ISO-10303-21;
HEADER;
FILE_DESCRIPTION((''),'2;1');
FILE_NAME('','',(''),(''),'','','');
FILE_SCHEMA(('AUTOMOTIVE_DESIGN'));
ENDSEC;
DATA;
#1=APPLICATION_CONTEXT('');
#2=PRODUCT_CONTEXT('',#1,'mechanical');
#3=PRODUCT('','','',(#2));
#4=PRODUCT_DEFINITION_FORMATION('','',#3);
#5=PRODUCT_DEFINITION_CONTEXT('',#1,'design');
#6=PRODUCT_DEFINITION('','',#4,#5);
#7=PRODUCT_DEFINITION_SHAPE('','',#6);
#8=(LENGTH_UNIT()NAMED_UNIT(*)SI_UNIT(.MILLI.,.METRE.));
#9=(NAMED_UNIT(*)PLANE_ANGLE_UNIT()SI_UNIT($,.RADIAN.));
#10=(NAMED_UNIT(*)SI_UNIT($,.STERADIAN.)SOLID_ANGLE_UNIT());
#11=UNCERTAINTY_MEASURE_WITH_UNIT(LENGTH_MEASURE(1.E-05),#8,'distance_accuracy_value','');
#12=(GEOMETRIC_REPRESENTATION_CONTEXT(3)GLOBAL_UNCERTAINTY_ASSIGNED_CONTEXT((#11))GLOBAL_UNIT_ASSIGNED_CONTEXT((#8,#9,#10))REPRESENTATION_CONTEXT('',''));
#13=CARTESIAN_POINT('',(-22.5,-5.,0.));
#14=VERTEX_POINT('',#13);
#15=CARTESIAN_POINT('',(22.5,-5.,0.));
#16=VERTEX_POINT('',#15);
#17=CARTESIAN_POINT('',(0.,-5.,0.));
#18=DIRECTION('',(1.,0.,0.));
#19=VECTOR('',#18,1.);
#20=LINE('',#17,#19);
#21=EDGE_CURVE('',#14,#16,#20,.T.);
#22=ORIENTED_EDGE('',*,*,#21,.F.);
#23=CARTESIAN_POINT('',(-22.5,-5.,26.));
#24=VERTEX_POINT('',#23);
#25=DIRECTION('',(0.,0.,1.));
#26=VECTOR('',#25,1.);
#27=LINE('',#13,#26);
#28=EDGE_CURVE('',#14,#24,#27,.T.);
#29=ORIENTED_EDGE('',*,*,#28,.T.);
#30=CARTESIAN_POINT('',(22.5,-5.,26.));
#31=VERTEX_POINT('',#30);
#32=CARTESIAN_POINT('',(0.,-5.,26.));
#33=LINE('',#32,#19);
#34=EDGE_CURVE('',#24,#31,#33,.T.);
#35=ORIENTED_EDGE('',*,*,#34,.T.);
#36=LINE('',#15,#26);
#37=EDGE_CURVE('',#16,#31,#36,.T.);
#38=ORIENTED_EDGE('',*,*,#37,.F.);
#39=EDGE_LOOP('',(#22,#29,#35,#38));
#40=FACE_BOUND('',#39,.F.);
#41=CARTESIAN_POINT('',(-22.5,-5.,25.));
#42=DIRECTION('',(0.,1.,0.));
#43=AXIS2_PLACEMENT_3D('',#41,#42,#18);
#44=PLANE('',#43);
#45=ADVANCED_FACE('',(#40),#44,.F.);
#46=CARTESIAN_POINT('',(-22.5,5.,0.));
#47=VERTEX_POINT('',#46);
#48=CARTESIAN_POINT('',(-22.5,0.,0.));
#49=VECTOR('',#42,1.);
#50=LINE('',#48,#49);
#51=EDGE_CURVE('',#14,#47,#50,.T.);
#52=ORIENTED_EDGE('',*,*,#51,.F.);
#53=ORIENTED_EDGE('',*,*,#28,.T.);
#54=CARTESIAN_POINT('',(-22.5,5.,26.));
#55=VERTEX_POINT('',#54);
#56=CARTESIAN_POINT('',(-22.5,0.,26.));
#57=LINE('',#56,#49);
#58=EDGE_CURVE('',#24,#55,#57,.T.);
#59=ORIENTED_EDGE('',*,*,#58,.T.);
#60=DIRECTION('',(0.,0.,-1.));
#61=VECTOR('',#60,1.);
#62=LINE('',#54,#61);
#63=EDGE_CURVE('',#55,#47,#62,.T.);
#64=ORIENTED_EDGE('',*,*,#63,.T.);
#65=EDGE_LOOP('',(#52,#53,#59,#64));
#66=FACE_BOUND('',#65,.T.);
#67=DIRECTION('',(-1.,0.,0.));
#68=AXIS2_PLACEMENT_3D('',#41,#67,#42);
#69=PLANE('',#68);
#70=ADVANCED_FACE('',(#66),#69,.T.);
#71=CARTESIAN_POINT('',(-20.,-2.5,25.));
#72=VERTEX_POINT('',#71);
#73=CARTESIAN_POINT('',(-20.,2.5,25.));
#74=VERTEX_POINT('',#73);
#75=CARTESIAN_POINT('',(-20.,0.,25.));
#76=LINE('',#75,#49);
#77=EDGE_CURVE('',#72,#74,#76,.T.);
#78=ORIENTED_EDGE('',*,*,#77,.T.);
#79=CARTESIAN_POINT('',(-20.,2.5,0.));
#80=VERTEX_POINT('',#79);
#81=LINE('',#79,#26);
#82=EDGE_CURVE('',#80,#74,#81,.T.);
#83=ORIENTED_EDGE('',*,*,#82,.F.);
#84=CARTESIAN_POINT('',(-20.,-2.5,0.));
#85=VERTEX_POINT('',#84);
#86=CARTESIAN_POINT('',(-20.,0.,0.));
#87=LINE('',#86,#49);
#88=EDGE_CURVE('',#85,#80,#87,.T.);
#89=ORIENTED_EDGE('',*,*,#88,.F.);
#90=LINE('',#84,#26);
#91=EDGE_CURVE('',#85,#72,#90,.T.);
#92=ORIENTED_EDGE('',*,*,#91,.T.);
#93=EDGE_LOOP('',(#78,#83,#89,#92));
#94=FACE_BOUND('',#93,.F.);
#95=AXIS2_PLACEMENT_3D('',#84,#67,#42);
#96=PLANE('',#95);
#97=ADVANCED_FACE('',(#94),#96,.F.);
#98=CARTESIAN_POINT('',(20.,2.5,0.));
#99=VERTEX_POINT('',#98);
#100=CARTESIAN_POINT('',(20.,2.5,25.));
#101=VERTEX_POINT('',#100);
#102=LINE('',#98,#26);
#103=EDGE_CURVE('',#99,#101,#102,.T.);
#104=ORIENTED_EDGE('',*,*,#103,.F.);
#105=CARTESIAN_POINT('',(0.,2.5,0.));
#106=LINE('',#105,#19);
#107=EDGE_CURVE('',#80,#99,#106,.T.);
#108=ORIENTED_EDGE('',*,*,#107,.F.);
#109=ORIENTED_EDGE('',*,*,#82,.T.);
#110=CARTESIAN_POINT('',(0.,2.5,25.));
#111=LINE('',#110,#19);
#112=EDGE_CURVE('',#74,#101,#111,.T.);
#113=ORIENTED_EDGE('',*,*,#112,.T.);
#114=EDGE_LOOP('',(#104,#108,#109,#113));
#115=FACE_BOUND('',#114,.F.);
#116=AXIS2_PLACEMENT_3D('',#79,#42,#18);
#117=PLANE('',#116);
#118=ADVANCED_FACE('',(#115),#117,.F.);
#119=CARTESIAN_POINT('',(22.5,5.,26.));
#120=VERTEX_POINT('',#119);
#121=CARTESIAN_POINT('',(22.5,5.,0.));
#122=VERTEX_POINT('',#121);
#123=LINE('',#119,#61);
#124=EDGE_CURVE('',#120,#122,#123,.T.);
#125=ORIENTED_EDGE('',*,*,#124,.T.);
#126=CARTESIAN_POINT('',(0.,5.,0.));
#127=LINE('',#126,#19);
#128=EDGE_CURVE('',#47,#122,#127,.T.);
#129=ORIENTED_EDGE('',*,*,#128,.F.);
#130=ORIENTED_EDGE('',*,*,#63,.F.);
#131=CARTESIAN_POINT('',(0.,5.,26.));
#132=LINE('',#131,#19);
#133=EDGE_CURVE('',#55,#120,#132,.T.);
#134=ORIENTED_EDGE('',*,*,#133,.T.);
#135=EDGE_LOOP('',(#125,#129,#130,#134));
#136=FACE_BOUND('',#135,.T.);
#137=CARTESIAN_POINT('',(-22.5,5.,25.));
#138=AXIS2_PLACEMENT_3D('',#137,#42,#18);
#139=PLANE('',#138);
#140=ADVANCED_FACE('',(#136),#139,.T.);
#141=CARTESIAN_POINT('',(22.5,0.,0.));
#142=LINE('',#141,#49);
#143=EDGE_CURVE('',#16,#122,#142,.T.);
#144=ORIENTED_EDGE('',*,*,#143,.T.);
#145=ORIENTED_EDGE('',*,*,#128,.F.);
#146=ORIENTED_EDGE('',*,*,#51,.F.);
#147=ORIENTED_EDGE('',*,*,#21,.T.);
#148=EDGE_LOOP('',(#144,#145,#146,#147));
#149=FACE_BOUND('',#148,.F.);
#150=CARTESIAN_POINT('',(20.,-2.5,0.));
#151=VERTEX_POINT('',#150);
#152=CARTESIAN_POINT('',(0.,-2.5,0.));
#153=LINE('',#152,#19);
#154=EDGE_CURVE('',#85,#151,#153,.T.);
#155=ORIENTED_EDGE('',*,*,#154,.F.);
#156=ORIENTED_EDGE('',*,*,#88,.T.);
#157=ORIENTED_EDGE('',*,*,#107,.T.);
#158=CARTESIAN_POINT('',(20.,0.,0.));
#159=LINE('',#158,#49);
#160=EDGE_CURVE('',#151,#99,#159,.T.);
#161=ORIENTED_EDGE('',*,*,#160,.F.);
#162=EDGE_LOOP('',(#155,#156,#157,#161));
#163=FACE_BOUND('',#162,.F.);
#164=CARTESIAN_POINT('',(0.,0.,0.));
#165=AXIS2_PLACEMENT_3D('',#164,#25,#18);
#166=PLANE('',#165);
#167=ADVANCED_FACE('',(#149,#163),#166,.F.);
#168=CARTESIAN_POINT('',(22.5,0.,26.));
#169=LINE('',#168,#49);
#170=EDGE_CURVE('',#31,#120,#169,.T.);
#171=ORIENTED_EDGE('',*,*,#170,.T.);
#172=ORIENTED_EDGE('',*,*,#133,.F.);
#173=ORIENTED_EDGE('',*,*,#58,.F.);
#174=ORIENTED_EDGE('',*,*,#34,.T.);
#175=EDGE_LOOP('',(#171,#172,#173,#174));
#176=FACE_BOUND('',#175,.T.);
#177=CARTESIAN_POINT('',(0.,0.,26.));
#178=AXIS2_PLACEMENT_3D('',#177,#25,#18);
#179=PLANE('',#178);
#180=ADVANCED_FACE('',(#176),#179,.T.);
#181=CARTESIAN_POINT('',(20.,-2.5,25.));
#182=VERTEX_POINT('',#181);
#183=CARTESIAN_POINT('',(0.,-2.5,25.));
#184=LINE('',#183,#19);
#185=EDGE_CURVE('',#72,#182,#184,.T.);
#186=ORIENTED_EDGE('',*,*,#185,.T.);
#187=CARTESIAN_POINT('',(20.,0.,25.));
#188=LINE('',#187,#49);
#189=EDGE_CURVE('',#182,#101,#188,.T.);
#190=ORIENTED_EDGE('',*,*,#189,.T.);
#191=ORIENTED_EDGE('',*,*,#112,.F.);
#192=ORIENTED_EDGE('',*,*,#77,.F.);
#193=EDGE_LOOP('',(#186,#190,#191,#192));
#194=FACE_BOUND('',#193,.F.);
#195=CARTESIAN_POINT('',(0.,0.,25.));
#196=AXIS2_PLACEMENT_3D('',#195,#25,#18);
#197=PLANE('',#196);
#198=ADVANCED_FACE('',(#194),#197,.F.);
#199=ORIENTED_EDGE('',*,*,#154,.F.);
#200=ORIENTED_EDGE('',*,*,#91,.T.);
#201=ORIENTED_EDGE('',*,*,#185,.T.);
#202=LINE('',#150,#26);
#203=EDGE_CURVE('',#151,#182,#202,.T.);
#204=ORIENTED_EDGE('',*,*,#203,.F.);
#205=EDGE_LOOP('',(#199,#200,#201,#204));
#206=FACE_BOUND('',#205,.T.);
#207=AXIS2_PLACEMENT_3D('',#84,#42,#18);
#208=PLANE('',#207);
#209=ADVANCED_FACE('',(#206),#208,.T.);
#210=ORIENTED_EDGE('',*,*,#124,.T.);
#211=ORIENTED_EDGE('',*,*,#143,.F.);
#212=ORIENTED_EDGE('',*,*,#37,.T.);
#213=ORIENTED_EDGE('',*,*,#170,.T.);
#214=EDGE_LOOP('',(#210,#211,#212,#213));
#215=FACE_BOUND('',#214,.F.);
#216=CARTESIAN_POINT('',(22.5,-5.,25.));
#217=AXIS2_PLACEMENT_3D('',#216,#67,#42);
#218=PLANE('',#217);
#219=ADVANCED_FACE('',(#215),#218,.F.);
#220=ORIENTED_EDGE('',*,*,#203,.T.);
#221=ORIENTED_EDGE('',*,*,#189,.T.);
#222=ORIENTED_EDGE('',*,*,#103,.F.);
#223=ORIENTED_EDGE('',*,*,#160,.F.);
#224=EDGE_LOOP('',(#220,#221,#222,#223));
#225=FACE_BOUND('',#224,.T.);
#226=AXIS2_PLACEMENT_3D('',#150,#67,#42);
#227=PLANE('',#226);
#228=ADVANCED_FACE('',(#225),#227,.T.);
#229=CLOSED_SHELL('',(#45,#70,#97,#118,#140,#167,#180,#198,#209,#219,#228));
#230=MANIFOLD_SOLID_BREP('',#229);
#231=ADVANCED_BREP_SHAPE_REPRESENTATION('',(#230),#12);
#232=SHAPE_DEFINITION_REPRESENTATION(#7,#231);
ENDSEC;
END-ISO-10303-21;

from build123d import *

# Parameters (mm, degrees)
F0_W     = 45
F0_H     = 10
F0_W_2   = 40
F0_H_2   = 5
F1_DEPTH = 25
F2_W     = 45
F2_H     = 10
F3_DEPTH = 1


with BuildPart() as f1:
    # F0 (on Top) → F1 (new body)
    with BuildSketch(Plane.XY):
        Rectangle(F0_W, F0_H)
        Rectangle(F0_W_2, F0_H_2, mode=Mode.SUBTRACT)
    extrude(amount=F1_DEPTH)

    # F2 (on face) → F3 (join)
    with BuildSketch(Plane.XY.offset(25)):
        Rectangle(F2_W, F2_H)
    extrude(amount=F3_DEPTH)


solid = f1.part
